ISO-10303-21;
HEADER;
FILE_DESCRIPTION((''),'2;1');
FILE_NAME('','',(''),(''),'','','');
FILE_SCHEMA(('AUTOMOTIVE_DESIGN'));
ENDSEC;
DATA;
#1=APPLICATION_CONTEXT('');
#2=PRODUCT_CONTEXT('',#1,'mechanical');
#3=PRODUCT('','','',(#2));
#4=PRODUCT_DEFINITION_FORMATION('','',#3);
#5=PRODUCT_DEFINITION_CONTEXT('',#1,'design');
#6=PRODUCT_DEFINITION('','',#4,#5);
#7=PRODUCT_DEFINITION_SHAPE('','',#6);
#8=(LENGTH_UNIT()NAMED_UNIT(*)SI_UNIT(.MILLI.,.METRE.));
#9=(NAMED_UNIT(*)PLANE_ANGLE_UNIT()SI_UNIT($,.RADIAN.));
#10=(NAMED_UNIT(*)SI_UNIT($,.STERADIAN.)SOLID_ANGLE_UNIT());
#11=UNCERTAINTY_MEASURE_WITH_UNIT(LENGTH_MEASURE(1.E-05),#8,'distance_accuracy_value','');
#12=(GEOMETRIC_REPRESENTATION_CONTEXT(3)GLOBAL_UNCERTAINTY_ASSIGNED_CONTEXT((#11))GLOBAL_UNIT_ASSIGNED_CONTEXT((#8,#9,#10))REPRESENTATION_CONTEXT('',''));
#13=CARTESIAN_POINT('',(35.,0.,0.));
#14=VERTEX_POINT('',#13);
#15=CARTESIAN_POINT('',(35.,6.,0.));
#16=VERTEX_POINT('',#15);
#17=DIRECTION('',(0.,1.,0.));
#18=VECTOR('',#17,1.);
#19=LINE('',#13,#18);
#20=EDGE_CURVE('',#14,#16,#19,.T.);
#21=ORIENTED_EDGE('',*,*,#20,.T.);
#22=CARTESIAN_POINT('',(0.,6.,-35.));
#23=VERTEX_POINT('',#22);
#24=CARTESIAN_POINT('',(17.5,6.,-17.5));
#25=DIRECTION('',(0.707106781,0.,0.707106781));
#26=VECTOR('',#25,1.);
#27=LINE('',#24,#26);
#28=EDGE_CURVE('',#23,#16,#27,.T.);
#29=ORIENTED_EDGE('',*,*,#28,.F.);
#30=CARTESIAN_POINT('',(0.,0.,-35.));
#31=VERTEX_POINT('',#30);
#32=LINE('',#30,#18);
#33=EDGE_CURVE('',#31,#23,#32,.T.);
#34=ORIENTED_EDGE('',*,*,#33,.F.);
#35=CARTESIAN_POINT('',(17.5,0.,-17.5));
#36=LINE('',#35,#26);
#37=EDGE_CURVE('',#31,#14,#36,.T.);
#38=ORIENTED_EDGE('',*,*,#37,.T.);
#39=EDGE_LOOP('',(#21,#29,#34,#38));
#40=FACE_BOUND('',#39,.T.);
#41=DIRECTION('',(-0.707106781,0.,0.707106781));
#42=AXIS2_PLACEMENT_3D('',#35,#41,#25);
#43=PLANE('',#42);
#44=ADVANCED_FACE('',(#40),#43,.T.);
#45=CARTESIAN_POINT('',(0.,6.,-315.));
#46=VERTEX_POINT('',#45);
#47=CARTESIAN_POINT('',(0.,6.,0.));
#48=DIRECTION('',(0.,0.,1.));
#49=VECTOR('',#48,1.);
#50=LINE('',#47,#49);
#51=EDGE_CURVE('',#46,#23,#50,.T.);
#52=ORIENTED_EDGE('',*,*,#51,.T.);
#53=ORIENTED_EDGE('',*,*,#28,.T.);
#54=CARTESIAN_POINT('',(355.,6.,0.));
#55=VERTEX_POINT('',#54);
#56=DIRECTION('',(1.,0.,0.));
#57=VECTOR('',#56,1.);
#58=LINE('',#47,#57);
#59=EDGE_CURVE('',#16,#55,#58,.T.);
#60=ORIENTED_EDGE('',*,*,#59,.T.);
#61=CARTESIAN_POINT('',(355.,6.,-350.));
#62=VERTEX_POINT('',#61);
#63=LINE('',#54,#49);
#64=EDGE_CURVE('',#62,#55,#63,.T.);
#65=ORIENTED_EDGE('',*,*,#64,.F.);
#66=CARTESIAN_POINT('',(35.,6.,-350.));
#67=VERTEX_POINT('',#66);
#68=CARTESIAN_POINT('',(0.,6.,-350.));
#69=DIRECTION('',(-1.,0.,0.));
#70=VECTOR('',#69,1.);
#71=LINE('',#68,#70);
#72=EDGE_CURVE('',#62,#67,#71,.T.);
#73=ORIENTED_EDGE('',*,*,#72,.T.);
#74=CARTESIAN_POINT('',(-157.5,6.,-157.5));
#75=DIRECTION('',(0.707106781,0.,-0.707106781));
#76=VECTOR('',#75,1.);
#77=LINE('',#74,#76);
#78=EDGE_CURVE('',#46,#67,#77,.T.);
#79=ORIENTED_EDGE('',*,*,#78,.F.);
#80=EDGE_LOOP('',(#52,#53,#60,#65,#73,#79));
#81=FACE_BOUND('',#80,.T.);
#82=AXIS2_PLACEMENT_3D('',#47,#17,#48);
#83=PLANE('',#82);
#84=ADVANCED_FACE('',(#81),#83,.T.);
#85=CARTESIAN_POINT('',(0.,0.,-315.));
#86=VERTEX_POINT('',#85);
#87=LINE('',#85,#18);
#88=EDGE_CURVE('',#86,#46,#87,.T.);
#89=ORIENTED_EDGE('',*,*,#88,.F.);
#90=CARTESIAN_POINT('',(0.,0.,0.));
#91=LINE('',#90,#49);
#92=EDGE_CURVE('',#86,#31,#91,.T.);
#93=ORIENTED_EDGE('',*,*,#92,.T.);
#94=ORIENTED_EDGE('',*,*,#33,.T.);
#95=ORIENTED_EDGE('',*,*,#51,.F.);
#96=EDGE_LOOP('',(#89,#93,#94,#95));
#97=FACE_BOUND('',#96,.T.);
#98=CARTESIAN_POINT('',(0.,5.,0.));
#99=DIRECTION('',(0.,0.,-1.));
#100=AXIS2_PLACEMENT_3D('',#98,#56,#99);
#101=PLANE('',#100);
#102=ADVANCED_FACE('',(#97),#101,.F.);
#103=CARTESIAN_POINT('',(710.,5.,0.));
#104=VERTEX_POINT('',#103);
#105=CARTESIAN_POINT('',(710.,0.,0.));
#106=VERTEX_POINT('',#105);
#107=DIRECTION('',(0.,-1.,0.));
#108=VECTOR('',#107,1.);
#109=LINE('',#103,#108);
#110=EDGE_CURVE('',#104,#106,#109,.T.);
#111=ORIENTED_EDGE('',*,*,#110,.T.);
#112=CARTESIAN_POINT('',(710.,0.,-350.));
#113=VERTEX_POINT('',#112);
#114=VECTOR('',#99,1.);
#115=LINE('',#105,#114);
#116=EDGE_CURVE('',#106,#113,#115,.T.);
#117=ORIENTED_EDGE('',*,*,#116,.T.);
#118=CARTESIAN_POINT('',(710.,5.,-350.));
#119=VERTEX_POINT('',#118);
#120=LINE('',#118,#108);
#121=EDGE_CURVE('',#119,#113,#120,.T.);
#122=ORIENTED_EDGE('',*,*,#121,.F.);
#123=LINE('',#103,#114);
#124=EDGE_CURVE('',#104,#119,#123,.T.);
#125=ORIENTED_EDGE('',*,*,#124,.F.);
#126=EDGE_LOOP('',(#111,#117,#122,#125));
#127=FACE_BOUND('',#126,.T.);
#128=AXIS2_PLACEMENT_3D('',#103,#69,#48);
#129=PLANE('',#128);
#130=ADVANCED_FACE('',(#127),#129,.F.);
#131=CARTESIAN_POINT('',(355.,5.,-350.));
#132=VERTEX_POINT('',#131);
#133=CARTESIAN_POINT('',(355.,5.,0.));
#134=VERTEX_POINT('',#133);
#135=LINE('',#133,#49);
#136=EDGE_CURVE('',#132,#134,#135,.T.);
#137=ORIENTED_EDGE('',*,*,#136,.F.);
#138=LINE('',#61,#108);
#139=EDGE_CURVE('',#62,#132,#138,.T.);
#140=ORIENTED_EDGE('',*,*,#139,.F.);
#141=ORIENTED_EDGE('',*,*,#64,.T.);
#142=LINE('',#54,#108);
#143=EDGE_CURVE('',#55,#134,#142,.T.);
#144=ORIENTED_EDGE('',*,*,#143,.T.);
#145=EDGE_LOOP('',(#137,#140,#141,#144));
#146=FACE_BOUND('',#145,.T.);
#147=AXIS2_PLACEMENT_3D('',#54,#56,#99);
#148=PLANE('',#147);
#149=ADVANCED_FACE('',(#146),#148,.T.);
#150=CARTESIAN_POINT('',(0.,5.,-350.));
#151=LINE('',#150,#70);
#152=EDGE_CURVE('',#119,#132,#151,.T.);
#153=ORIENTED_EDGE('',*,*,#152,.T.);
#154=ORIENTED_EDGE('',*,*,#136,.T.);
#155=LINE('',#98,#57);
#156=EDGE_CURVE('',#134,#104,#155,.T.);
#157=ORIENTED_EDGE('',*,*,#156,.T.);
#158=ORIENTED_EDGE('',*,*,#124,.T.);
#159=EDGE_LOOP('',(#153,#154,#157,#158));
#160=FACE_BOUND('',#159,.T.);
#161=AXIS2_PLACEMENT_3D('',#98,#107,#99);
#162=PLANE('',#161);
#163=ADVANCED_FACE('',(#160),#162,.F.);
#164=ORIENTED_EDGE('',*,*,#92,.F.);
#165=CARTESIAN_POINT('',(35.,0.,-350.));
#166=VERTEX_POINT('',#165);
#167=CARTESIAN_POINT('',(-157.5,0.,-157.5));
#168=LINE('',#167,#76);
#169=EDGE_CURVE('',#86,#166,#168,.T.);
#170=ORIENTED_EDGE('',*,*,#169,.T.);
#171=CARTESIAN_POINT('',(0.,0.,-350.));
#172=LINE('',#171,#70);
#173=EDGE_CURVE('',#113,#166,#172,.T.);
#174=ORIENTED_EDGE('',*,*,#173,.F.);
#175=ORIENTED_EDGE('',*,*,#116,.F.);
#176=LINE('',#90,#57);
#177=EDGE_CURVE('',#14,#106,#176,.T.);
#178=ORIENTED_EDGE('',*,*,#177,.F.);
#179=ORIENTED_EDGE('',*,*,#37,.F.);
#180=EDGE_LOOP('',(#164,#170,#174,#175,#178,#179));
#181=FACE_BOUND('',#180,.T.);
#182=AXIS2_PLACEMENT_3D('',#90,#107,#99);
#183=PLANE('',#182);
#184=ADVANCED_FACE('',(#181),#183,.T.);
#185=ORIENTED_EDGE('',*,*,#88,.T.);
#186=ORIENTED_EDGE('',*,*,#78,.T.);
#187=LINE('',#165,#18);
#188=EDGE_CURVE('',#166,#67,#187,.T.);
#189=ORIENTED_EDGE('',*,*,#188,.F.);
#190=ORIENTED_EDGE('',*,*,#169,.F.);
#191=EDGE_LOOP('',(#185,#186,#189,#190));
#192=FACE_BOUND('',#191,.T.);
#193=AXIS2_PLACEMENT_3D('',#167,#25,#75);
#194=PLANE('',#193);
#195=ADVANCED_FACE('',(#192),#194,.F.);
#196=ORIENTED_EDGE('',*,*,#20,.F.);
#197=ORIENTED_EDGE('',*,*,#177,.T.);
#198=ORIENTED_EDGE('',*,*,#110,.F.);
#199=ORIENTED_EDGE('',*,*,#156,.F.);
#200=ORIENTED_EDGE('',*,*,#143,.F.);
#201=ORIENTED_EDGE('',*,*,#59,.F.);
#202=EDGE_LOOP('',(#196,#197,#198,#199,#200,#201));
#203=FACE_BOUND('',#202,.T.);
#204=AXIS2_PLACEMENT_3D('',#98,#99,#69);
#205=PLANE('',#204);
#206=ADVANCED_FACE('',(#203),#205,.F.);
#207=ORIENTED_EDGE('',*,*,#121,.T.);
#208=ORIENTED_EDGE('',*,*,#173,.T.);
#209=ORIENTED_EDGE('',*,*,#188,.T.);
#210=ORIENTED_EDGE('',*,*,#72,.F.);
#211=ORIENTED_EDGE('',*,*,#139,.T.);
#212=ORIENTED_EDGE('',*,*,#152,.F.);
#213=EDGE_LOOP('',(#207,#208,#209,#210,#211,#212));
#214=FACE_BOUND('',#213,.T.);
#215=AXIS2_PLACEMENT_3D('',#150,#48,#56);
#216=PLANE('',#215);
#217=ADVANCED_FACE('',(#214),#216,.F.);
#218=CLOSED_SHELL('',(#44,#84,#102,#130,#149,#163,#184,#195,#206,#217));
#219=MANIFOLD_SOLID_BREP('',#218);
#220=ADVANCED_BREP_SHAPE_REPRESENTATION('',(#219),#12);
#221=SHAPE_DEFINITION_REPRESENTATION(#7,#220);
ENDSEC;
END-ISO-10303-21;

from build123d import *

# Parameters (mm, degrees)
SKETCH1_W           = 710
SKETCH1_H           = 350
BOSS_EXTRUDE1_DEPTH = 5
SKETCH2_W           = 355
SKETCH2_H           = 350
BOSS_EXTRUDE2_DEPTH = 1
CUT_EXTRUDE1_DEPTH  = 792.603436071


with BuildPart() as part:
    # Sketch1 → Boss-Extrude1 (new body)
    with BuildSketch(Plane(origin=(0, 0, 0), x_dir=(1, 0, 0), z_dir=(0, 1, 0))):
        with Locations((355, 175)):
            Rectangle(SKETCH1_W, SKETCH1_H)
    extrude(amount=BOSS_EXTRUDE1_DEPTH)

    # Sketch2 → Boss-Extrude2 (add)
    with BuildSketch(Plane(origin=(0, 5, 0), x_dir=(1, 0, 0), z_dir=(0, 1, 0))):
        with Locations((177.5, 175)):
            Rectangle(SKETCH2_W, SKETCH2_H)
    extrude(amount=BOSS_EXTRUDE2_DEPTH)

    # Sketch3 → Cut-Extrude1 (cut, through all)
    with BuildSketch(Plane(origin=(0, 6, 0), x_dir=(1, 0, 0), z_dir=(0, 1, 0))):
        Polygon((0, 350), (0, 315), (35, 350), align=None)
        Polygon((35, 0), (0, 35), (0, 0), align=None)
    extrude(amount=-CUT_EXTRUDE1_DEPTH, mode=Mode.SUBTRACT)


solid = part.part
